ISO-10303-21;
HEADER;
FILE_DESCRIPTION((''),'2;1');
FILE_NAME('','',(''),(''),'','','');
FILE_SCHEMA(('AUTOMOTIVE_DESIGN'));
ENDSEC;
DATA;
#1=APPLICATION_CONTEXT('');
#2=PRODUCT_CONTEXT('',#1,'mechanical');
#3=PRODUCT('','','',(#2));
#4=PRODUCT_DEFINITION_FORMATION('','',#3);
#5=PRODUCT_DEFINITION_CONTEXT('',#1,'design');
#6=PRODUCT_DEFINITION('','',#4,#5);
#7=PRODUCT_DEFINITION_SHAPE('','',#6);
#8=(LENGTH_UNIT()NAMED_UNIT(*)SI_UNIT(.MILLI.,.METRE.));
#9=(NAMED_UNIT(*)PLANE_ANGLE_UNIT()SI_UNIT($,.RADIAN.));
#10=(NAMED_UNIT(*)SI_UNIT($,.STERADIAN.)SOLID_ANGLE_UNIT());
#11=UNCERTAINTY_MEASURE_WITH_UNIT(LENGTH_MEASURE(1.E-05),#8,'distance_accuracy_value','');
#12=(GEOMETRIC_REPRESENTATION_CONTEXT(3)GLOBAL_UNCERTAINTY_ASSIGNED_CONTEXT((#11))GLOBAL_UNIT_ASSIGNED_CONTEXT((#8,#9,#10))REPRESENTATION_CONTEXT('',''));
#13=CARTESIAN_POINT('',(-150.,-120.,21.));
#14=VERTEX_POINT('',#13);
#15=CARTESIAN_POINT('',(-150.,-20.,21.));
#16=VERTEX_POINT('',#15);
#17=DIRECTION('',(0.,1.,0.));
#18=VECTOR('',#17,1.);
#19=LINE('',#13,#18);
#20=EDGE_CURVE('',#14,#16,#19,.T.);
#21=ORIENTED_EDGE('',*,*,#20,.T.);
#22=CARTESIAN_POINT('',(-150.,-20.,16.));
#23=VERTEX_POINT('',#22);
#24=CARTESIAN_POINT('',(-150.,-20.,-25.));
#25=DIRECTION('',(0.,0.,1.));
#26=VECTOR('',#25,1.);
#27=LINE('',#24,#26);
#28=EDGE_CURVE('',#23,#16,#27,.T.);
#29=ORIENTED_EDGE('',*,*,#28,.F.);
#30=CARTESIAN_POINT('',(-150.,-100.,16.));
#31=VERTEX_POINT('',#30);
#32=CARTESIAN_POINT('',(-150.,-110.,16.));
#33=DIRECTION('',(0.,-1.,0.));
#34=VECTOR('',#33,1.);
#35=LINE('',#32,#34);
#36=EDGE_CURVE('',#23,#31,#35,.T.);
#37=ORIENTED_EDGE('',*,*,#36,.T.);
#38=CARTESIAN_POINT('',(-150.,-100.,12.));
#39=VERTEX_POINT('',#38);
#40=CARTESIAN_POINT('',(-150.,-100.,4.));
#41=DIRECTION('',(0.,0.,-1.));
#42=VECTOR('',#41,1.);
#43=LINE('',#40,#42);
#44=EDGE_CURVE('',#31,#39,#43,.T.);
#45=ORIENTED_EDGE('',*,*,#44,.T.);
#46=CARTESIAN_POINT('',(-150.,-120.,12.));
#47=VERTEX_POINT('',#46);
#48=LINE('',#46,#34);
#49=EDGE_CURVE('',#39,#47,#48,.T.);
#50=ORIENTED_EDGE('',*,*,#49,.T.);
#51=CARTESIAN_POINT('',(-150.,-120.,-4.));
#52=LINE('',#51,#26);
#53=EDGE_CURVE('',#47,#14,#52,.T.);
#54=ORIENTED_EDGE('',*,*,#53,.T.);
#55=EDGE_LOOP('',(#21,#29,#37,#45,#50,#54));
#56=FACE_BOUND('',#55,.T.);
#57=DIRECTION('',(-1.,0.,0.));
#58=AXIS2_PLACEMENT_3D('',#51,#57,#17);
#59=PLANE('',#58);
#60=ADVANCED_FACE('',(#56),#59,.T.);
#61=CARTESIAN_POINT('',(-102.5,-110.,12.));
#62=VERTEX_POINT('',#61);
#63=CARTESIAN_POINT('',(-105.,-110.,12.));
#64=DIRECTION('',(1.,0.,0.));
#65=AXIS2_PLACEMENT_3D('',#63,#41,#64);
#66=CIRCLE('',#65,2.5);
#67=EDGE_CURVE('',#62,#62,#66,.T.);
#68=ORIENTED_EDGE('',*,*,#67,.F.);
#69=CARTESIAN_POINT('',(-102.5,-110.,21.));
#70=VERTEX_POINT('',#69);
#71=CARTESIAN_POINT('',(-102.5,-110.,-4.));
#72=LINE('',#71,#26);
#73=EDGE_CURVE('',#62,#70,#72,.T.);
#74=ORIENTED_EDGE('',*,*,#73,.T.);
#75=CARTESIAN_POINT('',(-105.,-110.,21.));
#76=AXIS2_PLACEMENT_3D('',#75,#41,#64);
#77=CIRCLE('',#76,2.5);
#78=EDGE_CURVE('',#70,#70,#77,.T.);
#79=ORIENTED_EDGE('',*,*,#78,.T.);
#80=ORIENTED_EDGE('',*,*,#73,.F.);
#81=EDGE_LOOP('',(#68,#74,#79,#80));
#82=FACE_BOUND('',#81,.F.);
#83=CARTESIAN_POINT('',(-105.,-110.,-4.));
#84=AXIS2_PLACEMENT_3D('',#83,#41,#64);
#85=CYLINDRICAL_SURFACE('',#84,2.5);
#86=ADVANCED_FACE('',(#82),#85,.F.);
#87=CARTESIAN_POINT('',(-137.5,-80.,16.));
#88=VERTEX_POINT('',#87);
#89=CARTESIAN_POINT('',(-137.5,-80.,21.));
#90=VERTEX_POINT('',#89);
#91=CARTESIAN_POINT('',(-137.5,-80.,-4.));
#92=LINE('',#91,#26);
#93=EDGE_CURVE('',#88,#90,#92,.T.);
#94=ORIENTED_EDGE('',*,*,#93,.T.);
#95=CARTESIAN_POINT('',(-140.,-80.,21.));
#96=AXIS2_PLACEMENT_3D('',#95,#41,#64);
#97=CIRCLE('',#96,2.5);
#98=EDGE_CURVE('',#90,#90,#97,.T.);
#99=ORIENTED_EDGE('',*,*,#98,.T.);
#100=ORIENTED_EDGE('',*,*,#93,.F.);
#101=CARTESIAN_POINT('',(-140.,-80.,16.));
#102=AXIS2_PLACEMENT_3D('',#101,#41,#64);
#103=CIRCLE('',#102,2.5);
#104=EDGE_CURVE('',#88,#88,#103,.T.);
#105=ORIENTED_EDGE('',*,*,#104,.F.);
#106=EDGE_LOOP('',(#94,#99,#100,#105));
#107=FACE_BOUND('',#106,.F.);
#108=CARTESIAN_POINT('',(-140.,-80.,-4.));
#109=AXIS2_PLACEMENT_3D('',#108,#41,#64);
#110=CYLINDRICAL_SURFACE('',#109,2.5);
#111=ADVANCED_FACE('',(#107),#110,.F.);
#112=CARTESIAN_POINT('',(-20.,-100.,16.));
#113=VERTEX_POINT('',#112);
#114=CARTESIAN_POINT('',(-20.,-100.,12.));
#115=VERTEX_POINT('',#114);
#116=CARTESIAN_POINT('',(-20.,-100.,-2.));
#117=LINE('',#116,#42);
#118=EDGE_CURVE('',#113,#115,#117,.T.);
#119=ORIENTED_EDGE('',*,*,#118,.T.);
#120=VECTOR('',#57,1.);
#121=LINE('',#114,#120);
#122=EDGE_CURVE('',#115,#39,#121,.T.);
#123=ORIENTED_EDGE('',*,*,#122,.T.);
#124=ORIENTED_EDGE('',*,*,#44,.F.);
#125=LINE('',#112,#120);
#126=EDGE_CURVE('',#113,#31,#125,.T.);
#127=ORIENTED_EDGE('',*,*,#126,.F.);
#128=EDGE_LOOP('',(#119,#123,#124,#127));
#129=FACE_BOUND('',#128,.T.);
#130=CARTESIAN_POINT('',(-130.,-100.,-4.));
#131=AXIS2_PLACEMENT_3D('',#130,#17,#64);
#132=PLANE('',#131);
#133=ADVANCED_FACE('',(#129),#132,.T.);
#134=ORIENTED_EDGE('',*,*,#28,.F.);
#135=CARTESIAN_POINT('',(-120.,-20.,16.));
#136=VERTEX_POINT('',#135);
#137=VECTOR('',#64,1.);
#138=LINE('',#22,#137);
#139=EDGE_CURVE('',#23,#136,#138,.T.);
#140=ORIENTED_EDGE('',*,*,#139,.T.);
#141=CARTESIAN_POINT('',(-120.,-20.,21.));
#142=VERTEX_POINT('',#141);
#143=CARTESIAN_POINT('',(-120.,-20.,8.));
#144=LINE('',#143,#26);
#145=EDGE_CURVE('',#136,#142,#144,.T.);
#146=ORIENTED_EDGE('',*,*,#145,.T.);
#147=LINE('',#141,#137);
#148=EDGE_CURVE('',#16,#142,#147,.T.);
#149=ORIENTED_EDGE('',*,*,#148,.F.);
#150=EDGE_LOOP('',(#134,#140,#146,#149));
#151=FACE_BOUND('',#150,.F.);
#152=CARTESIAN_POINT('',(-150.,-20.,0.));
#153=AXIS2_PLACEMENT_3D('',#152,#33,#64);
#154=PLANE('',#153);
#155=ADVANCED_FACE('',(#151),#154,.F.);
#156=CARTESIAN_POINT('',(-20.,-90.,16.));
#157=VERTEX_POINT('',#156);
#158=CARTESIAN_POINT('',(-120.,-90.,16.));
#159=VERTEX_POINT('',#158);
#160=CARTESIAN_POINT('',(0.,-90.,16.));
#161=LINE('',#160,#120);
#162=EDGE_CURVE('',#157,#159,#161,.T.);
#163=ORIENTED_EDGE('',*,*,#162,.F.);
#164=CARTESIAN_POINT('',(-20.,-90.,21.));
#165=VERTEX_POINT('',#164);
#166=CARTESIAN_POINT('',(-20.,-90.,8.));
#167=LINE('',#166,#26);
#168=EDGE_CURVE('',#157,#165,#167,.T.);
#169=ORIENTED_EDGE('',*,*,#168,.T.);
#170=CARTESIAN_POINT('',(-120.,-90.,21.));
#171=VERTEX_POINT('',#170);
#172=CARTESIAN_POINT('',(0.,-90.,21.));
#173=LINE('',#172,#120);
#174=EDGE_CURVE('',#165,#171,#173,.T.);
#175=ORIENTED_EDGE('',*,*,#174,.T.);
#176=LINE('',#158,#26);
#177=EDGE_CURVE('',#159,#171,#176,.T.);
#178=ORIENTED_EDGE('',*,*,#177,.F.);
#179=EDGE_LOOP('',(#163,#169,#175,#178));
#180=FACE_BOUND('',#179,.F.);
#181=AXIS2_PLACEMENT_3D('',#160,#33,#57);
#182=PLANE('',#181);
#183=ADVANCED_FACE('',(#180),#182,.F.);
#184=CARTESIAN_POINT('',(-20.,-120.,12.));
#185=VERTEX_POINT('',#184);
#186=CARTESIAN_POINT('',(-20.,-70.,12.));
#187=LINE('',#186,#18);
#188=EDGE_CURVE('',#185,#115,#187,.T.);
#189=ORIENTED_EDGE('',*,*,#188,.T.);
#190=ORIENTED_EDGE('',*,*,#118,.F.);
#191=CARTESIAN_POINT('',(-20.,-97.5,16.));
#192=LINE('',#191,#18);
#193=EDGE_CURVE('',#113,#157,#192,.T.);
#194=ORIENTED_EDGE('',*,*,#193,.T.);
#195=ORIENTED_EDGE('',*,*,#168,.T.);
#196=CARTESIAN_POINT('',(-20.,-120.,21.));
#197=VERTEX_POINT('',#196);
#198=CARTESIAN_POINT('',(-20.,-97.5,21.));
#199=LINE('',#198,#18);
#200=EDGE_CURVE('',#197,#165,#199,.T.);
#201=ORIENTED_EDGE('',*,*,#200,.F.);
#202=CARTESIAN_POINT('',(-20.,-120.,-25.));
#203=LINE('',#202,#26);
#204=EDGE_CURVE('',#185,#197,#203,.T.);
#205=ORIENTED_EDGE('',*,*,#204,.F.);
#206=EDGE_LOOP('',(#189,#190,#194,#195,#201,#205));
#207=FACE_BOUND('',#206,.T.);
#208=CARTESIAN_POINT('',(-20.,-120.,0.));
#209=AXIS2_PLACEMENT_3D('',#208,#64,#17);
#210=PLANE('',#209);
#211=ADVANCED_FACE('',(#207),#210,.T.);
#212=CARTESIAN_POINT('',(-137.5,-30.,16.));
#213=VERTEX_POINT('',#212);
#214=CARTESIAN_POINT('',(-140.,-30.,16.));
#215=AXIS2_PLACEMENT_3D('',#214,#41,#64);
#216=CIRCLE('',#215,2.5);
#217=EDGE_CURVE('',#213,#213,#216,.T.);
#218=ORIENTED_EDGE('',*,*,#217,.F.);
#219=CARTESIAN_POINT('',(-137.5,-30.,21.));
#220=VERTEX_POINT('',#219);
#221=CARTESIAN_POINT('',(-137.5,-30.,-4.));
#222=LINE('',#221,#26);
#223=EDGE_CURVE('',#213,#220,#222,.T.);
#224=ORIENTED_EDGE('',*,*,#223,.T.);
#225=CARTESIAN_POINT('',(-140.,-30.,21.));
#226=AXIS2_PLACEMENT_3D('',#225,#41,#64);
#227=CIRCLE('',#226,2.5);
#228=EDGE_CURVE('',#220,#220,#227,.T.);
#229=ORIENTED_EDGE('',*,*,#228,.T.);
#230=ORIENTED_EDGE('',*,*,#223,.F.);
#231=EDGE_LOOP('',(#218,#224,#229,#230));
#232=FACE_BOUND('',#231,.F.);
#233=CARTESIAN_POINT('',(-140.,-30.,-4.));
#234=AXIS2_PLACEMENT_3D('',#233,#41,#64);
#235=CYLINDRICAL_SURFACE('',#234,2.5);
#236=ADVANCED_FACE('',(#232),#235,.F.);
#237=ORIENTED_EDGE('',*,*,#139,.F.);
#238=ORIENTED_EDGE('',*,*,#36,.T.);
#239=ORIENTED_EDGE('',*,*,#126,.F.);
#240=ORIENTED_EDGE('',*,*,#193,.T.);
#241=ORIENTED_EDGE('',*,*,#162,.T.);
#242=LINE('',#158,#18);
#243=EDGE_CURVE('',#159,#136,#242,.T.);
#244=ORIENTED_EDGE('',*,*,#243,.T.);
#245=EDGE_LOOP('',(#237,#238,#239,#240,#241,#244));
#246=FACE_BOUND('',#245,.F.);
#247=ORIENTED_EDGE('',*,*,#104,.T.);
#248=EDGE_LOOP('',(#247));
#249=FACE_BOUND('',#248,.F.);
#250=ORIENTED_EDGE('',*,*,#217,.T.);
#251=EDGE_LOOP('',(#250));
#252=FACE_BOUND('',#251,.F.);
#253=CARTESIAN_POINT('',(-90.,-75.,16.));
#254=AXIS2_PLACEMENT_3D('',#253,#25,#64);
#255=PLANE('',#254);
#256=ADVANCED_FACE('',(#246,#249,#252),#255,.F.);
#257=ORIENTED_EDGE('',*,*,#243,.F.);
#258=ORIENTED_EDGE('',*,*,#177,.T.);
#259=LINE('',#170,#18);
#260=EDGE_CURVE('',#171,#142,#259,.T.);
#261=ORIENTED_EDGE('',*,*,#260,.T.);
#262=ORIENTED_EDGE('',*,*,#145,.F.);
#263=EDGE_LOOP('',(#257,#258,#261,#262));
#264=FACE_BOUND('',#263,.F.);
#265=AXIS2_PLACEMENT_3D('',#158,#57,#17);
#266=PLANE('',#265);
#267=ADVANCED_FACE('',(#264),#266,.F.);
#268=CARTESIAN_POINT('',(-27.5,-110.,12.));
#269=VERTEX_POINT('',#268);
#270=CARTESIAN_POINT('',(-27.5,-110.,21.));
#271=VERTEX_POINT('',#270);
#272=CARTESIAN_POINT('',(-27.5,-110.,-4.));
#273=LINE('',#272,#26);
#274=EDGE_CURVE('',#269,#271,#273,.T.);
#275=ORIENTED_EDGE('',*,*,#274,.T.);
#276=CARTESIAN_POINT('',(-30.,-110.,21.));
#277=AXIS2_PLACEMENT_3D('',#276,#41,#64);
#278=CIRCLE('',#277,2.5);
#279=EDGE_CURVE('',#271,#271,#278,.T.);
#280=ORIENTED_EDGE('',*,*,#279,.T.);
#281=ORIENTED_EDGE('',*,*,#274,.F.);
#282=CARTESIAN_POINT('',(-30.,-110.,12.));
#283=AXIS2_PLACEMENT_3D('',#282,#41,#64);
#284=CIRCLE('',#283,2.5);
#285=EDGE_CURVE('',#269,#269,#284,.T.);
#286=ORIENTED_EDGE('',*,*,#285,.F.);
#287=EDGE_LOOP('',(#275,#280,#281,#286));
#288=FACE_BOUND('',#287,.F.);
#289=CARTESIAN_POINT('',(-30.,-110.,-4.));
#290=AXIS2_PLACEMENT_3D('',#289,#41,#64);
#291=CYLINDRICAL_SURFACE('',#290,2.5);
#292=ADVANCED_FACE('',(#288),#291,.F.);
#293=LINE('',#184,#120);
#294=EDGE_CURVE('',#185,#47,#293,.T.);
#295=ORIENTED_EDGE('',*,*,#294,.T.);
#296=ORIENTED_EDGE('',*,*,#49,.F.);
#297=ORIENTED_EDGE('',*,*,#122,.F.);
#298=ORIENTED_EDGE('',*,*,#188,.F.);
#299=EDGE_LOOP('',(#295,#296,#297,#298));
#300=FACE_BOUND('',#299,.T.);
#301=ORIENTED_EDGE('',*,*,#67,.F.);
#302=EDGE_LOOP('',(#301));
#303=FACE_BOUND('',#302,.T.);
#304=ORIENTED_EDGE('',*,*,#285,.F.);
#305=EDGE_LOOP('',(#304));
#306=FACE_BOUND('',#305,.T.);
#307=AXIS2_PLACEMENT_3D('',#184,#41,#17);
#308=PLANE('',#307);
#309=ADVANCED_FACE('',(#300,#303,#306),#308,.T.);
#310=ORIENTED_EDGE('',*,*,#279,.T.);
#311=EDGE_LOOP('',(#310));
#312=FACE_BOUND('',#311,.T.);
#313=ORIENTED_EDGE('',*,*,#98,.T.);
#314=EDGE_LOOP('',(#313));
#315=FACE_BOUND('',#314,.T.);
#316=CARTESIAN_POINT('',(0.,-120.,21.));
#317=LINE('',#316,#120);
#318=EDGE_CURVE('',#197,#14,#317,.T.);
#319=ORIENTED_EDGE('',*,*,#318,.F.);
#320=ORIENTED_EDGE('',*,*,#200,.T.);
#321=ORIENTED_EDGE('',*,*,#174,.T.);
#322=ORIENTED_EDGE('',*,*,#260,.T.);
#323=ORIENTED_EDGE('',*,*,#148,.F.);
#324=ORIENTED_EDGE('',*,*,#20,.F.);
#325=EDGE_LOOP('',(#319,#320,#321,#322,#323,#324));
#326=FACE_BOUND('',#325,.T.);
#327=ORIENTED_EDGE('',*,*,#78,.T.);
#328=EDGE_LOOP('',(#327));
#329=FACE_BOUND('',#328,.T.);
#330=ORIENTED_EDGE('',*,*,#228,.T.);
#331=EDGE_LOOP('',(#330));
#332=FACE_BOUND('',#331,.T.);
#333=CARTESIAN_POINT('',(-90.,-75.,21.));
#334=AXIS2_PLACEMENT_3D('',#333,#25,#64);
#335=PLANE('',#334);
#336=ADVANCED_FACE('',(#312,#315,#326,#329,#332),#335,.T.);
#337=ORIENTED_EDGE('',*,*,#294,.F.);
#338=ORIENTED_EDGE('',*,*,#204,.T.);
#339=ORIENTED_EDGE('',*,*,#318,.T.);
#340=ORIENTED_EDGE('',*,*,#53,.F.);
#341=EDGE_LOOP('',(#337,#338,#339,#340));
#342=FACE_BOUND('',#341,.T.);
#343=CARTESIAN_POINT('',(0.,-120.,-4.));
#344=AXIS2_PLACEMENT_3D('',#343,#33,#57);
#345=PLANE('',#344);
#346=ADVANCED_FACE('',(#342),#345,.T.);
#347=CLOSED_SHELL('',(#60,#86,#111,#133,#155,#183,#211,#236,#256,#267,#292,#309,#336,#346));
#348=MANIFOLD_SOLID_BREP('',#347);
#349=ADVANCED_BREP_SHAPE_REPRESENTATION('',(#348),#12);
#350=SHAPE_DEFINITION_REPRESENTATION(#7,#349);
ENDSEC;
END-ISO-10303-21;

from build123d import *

# Parameters (mm, degrees)
F1_DEPTH  = 12
F2_W      = 130
F2_H      = 20
F3_DEPTH  = 5
F4_W      = 105
F4_H      = 20
F5_DEPTH  = 5
F7_W      = 20
F7_H      = 100
F7_R      = 2.5
F7_H_2    = 20
F7_W_2    = 130
F8_DEPTH  = 25
F9_DEPTH  = 5
F10_W     = 130
F10_H     = 20
F10_W_2   = 20
F10_H_2   = 100
F11_DEPTH = 25
F12_W     = 100
F12_H     = 16
F13_DEPTH = 150
F14_W     = 80
F14_H     = 4
F15_DEPTH = 30.001


with BuildPart() as f1:
    # F0 (on Top) → F1 (new body)
    with BuildSketch(Plane.XY):
        with BuildLine():
            add(Edge.make_bspline(
                [(-116.5, 0), (-116.5, -86.5), (0, -86.5)],
                knots=[3.1415926536, 3.1415926536, 3.1415926536, 4.7123889804, 4.7123889804, 4.7123889804], degree=2, weights=[1, 0.7071067812, 1]))
            Line((-116.5, 0), (-116.5, -86.5))
            Line((-116.5, -86.5), (0, -86.5))
        make_face()
        Polygon((-116.5, -86.5), (-116.5, 0), (-130, 0), (-130, -100), (0, -100), (0, -86.5), align=None)
    extrude(amount=F1_DEPTH)

    # F2 (on face) → F3 (join)
    with BuildSketch(Plane.XZ.offset(100)):
        with Locations((-65, 6)):
            Rectangle(F2_W, F2_H)
    extrude(amount=F3_DEPTH)

    # F4 (on face) → F5 (join)
    with BuildSketch(Plane(origin=(-130, 0, 0), x_dir=(0, -1, 0), z_dir=(-1, 0, 0))):
        with Locations((52.5, 6)):
            Rectangle(F4_W, F4_H)
    extrude(amount=F5_DEPTH)

    # F7 (on face) → F8 (join)
    with BuildSketch(Plane(origin=(0, 0, -4), x_dir=(1, 0, 0), z_dir=(0, 0, -1))):
        with Locations((-140, 50)):
            Rectangle(F7_W, F7_H)
        with Locations((-140, 30)):
            Circle(F7_R, mode=Mode.SUBTRACT)
        with Locations((-140, 80)):
            Circle(F7_R, mode=Mode.SUBTRACT)
        with Locations((-140, 110)):
            Rectangle(F7_W, F7_H_2)
        with Locations((-65, 110)):
            Rectangle(F7_W_2, F7_H_2)
        with Locations((-105, 110)):
            Circle(F7_R, mode=Mode.SUBTRACT)
        with Locations((-30, 110)):
            Circle(F7_R, mode=Mode.SUBTRACT)
    extrude(amount=-F8_DEPTH)

    # F6 (on face) → F9 (join)
    with BuildSketch(Plane.XY.offset(16)):
        Polygon((-120, 0), (-135, 0), (-135, -105), (0, -105), (0, -90), (-120, -90), align=None)
    extrude(amount=F9_DEPTH)

    # F10 (on Top) → F11 (cut, symmetric)
    with BuildSketch(Plane.XY):
        with Locations((-85, -10)):
            Rectangle(F10_W, F10_H)
        with Locations((-10, -10)):
            Rectangle(F10_W_2, F10_H)
        with Locations((-10, -70)):
            Rectangle(F10_W_2, F10_H_2)
    extrude(amount=F11_DEPTH, both=True, mode=Mode.SUBTRACT)

    # F12 (on face) → F13 (cut)
    with BuildSketch(Plane.YZ.offset(-20)):
        with Locations((-70, 4)):
            Rectangle(F12_W, F12_H)
    extrude(amount=-F13_DEPTH, mode=Mode.SUBTRACT)

    # F14 (on face) → F15 (cut, through all)
    with BuildSketch(Plane.YZ.offset(-120)):
        with Locations((-60, 14)):
            Rectangle(F14_W, F14_H)
    extrude(amount=-F15_DEPTH, mode=Mode.SUBTRACT)


solid = f1.part
